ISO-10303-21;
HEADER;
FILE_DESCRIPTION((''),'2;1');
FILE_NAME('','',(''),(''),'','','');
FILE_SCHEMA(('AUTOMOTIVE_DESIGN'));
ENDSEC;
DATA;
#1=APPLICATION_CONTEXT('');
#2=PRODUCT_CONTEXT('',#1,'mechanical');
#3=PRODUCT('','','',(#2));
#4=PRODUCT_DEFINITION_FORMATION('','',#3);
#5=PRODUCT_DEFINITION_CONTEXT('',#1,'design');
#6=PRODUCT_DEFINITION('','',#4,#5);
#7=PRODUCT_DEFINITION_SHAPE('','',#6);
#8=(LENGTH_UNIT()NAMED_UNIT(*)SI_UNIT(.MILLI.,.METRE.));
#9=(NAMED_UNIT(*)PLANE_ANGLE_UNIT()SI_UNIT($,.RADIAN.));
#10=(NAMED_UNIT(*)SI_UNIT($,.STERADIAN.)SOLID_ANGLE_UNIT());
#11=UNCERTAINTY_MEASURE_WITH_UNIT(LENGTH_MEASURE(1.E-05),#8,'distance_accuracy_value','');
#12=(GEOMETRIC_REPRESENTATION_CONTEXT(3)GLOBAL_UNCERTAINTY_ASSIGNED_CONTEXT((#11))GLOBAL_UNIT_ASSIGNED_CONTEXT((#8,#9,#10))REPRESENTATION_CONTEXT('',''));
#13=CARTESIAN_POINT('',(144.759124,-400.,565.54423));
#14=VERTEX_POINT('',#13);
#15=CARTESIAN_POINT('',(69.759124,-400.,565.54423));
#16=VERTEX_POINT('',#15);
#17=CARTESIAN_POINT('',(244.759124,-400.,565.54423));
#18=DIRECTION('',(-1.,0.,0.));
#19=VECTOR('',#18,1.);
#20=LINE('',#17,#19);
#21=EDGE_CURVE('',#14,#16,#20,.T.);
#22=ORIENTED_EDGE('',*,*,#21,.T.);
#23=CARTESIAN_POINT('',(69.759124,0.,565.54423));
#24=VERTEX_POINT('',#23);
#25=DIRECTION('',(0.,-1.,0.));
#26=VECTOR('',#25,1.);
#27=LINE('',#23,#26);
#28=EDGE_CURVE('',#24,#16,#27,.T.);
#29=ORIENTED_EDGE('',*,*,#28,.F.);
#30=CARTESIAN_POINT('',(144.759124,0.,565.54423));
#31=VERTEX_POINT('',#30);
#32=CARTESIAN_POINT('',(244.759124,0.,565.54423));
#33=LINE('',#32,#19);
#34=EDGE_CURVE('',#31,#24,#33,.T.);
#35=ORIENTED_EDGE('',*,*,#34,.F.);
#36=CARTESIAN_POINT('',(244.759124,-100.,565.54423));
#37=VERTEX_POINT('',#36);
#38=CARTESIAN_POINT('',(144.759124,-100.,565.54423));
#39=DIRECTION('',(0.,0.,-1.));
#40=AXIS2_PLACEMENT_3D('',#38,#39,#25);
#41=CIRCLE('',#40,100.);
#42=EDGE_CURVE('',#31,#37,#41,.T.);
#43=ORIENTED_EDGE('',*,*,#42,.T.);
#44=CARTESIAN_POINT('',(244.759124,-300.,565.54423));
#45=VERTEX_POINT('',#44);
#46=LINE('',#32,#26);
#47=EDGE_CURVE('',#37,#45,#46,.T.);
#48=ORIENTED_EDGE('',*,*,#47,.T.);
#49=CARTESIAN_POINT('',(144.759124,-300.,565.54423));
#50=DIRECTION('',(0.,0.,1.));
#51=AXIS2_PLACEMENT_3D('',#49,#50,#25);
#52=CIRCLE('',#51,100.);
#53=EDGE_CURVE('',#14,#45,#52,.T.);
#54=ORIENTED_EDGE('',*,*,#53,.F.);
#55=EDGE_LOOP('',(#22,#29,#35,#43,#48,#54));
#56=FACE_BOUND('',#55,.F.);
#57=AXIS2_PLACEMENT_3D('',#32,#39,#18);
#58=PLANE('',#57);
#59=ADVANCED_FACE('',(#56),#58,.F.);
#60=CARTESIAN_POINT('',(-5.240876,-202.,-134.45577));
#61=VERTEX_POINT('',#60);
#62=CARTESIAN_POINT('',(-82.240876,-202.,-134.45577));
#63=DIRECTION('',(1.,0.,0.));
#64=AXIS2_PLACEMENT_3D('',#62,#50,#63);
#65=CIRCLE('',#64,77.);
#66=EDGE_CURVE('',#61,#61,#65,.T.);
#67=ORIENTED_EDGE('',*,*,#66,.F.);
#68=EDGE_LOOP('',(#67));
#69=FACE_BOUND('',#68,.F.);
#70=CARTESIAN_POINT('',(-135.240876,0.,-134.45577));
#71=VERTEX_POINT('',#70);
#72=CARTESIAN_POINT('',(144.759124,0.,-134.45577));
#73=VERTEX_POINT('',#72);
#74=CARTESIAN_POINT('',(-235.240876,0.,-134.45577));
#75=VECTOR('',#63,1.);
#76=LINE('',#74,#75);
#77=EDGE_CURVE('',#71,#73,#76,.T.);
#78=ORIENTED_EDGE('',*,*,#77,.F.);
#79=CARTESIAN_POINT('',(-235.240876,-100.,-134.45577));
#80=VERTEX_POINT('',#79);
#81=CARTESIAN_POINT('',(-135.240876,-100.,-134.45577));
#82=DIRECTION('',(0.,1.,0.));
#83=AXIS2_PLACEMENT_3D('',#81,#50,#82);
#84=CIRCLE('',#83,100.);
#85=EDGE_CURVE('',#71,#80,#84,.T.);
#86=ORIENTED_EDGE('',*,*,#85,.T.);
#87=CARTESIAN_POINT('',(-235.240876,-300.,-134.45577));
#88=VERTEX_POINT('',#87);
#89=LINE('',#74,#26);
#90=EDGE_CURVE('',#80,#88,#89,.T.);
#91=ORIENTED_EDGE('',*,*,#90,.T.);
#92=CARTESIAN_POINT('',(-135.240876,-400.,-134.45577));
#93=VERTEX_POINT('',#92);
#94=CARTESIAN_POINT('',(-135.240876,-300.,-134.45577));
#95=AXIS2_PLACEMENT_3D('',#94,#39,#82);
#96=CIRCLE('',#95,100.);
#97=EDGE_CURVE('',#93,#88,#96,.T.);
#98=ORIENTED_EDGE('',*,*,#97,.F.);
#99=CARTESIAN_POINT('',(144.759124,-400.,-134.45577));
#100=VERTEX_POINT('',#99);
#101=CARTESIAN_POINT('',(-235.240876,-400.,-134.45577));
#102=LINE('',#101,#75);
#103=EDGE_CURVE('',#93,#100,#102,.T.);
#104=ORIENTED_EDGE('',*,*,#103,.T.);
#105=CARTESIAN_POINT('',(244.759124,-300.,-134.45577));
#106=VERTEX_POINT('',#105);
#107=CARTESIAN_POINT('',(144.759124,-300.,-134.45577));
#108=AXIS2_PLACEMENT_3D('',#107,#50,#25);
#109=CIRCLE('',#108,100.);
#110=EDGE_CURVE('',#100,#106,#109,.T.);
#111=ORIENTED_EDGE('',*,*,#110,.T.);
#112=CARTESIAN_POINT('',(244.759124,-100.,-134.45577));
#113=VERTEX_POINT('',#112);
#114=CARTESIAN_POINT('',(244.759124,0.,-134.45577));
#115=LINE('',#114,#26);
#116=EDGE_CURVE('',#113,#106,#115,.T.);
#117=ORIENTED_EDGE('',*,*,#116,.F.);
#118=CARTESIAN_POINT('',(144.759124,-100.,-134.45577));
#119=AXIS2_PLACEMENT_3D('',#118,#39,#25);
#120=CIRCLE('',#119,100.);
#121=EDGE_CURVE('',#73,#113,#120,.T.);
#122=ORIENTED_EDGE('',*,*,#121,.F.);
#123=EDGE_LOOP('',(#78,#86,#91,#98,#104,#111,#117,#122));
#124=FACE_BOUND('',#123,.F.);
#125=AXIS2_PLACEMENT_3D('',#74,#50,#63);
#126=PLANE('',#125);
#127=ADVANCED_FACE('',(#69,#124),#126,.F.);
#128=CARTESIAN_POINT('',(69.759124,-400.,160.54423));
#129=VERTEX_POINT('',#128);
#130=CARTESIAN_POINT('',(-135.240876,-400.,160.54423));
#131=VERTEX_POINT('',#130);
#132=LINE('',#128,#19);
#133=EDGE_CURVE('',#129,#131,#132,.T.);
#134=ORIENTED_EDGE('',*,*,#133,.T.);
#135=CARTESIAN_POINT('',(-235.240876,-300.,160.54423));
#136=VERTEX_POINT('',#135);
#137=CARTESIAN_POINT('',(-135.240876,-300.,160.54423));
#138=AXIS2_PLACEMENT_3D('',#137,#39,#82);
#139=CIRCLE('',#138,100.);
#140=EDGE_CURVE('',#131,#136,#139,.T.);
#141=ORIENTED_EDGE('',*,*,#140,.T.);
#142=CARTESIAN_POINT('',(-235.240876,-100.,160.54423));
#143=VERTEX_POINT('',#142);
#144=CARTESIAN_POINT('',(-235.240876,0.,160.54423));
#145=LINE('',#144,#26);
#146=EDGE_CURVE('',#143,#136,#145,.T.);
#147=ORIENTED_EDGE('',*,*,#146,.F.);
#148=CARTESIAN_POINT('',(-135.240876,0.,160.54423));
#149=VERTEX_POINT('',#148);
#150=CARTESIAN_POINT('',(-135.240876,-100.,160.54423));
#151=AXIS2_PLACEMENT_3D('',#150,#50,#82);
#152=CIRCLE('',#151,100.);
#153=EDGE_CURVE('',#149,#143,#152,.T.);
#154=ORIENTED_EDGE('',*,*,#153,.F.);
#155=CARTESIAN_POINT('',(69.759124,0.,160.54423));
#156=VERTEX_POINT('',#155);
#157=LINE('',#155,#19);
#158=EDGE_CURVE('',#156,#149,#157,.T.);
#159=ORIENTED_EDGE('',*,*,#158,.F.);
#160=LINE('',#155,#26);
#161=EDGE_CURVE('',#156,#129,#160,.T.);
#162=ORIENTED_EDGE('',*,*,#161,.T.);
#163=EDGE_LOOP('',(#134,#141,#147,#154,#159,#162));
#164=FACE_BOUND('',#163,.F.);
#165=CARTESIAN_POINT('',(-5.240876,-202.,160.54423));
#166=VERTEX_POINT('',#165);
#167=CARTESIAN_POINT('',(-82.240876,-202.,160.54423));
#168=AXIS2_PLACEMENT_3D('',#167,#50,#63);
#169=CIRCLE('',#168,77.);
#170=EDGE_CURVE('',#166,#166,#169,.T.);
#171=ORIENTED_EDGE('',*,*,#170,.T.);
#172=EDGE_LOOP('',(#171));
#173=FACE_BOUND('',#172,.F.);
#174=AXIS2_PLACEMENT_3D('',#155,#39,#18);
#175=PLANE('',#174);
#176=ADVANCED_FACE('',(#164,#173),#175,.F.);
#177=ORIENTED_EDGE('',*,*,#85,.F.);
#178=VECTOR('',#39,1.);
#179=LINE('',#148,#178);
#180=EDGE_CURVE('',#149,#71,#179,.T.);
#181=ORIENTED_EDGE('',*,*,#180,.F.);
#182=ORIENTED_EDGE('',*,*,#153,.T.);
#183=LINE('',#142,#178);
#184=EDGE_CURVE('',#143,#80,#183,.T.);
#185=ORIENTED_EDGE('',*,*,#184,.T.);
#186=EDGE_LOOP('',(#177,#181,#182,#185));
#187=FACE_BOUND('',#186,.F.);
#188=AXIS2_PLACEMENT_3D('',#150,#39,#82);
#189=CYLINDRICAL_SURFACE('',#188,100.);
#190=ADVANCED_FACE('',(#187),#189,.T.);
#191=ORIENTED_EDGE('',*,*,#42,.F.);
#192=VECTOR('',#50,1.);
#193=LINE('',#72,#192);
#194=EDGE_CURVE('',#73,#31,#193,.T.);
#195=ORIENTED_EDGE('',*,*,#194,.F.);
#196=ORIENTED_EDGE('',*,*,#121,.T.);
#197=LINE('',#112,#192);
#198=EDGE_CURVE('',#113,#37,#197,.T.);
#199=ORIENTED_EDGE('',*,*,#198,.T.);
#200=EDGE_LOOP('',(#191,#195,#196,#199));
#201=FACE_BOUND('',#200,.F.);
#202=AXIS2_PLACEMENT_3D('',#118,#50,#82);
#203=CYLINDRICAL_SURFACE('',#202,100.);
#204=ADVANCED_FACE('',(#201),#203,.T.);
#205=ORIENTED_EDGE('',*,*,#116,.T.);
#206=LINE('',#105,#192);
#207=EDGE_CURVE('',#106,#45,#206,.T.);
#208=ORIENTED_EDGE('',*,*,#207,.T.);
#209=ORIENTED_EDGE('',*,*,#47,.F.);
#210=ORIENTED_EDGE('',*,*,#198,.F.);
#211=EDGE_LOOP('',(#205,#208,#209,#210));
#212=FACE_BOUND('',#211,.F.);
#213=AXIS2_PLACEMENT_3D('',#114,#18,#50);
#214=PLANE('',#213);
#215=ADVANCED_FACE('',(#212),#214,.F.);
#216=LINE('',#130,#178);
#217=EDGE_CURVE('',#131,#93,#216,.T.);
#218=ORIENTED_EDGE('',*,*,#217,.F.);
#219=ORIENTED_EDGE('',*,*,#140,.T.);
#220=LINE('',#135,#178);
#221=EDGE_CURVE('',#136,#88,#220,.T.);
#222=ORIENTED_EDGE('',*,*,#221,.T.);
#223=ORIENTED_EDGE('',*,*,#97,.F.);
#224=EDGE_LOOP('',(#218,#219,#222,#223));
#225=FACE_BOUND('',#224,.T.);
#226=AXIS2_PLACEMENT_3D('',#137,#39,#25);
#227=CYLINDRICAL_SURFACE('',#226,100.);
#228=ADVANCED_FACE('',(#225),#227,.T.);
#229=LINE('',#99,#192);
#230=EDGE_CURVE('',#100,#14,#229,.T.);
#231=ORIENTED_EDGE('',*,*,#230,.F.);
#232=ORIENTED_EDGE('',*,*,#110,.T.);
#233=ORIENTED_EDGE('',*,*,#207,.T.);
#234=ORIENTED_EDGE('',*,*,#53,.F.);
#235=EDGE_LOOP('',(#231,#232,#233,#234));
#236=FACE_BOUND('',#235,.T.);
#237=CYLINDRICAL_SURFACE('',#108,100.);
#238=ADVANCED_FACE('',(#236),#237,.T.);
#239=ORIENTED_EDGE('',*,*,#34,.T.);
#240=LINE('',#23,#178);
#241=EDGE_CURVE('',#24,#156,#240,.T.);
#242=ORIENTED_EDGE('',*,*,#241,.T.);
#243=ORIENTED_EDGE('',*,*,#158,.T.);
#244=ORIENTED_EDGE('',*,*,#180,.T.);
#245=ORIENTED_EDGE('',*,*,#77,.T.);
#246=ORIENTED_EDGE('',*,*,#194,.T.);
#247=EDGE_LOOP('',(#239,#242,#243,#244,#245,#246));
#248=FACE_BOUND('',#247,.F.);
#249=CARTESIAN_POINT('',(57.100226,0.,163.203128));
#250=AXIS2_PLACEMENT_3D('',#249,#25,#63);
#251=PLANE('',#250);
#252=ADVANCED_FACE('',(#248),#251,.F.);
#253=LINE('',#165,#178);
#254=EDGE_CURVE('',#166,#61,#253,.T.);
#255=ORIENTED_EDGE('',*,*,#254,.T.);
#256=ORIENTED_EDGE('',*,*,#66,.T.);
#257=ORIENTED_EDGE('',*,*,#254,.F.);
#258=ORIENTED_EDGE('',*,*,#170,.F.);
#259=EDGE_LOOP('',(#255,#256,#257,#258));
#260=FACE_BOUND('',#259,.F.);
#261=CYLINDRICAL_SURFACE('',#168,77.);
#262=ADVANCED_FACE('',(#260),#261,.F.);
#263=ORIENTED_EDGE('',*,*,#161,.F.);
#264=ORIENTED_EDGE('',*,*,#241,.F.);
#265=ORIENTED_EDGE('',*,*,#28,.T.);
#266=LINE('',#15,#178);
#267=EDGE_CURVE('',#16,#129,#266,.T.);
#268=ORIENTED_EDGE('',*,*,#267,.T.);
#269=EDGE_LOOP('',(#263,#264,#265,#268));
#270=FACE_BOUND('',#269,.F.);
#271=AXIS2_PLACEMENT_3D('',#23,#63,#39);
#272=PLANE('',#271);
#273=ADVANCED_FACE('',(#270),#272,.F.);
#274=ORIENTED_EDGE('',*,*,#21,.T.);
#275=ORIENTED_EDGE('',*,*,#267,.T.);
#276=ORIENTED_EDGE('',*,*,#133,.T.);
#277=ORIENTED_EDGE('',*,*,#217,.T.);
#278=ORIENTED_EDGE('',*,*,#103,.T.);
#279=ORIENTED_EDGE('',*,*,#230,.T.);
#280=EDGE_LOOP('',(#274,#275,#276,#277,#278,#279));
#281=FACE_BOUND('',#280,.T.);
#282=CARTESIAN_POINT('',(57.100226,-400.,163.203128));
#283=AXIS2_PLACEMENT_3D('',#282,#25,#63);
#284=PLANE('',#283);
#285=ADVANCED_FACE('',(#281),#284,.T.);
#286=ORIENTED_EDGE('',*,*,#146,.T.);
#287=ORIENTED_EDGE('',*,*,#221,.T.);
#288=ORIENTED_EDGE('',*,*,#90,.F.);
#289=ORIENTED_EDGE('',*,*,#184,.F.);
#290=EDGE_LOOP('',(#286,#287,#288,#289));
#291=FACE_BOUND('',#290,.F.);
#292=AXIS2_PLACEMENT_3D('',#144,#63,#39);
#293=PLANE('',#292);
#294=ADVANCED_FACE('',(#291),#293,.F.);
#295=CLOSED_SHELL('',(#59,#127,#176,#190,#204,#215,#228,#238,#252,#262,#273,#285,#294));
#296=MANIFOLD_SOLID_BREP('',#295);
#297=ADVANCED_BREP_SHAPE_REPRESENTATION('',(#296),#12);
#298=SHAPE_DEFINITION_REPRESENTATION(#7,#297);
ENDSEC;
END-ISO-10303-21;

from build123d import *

# Parameters (mm, degrees)
F1_DEPTH = 400
F2_R     = 77
F3_DEPTH = 295.001
F4_R     = 100


with BuildPart() as f1:
    # F0 (on Front) → F1 (new body)
    with BuildSketch(Plane.XZ):
        Polygon((69.759124, 160.54423), (-235.240876, 160.54423), (-235.240876, -134.45577), (244.759124, -134.45577), (244.759124, 565.54423), (69.759124, 565.54423), align=None)
    extrude(amount=F1_DEPTH)

    # F2 (on face) → F3 (cut, through all)
    with BuildSketch(Plane.XY.offset(160.54423)):
        with Locations((-82.240876, -202)):
            Circle(F2_R)
    extrude(amount=-F3_DEPTH, mode=Mode.SUBTRACT)

    # F4
    f4_edges = [f1.edges().sort_by_distance(p)[0] for p in [
        (-235.240876, 0, 13.04423),
        (-235.240876, -400, 13.04423),
        (244.759124, -400, 215.54423),
        (244.759124, 0, 215.54423),
    ]]
    fillet(f4_edges, radius=F4_R)


solid = f1.part
